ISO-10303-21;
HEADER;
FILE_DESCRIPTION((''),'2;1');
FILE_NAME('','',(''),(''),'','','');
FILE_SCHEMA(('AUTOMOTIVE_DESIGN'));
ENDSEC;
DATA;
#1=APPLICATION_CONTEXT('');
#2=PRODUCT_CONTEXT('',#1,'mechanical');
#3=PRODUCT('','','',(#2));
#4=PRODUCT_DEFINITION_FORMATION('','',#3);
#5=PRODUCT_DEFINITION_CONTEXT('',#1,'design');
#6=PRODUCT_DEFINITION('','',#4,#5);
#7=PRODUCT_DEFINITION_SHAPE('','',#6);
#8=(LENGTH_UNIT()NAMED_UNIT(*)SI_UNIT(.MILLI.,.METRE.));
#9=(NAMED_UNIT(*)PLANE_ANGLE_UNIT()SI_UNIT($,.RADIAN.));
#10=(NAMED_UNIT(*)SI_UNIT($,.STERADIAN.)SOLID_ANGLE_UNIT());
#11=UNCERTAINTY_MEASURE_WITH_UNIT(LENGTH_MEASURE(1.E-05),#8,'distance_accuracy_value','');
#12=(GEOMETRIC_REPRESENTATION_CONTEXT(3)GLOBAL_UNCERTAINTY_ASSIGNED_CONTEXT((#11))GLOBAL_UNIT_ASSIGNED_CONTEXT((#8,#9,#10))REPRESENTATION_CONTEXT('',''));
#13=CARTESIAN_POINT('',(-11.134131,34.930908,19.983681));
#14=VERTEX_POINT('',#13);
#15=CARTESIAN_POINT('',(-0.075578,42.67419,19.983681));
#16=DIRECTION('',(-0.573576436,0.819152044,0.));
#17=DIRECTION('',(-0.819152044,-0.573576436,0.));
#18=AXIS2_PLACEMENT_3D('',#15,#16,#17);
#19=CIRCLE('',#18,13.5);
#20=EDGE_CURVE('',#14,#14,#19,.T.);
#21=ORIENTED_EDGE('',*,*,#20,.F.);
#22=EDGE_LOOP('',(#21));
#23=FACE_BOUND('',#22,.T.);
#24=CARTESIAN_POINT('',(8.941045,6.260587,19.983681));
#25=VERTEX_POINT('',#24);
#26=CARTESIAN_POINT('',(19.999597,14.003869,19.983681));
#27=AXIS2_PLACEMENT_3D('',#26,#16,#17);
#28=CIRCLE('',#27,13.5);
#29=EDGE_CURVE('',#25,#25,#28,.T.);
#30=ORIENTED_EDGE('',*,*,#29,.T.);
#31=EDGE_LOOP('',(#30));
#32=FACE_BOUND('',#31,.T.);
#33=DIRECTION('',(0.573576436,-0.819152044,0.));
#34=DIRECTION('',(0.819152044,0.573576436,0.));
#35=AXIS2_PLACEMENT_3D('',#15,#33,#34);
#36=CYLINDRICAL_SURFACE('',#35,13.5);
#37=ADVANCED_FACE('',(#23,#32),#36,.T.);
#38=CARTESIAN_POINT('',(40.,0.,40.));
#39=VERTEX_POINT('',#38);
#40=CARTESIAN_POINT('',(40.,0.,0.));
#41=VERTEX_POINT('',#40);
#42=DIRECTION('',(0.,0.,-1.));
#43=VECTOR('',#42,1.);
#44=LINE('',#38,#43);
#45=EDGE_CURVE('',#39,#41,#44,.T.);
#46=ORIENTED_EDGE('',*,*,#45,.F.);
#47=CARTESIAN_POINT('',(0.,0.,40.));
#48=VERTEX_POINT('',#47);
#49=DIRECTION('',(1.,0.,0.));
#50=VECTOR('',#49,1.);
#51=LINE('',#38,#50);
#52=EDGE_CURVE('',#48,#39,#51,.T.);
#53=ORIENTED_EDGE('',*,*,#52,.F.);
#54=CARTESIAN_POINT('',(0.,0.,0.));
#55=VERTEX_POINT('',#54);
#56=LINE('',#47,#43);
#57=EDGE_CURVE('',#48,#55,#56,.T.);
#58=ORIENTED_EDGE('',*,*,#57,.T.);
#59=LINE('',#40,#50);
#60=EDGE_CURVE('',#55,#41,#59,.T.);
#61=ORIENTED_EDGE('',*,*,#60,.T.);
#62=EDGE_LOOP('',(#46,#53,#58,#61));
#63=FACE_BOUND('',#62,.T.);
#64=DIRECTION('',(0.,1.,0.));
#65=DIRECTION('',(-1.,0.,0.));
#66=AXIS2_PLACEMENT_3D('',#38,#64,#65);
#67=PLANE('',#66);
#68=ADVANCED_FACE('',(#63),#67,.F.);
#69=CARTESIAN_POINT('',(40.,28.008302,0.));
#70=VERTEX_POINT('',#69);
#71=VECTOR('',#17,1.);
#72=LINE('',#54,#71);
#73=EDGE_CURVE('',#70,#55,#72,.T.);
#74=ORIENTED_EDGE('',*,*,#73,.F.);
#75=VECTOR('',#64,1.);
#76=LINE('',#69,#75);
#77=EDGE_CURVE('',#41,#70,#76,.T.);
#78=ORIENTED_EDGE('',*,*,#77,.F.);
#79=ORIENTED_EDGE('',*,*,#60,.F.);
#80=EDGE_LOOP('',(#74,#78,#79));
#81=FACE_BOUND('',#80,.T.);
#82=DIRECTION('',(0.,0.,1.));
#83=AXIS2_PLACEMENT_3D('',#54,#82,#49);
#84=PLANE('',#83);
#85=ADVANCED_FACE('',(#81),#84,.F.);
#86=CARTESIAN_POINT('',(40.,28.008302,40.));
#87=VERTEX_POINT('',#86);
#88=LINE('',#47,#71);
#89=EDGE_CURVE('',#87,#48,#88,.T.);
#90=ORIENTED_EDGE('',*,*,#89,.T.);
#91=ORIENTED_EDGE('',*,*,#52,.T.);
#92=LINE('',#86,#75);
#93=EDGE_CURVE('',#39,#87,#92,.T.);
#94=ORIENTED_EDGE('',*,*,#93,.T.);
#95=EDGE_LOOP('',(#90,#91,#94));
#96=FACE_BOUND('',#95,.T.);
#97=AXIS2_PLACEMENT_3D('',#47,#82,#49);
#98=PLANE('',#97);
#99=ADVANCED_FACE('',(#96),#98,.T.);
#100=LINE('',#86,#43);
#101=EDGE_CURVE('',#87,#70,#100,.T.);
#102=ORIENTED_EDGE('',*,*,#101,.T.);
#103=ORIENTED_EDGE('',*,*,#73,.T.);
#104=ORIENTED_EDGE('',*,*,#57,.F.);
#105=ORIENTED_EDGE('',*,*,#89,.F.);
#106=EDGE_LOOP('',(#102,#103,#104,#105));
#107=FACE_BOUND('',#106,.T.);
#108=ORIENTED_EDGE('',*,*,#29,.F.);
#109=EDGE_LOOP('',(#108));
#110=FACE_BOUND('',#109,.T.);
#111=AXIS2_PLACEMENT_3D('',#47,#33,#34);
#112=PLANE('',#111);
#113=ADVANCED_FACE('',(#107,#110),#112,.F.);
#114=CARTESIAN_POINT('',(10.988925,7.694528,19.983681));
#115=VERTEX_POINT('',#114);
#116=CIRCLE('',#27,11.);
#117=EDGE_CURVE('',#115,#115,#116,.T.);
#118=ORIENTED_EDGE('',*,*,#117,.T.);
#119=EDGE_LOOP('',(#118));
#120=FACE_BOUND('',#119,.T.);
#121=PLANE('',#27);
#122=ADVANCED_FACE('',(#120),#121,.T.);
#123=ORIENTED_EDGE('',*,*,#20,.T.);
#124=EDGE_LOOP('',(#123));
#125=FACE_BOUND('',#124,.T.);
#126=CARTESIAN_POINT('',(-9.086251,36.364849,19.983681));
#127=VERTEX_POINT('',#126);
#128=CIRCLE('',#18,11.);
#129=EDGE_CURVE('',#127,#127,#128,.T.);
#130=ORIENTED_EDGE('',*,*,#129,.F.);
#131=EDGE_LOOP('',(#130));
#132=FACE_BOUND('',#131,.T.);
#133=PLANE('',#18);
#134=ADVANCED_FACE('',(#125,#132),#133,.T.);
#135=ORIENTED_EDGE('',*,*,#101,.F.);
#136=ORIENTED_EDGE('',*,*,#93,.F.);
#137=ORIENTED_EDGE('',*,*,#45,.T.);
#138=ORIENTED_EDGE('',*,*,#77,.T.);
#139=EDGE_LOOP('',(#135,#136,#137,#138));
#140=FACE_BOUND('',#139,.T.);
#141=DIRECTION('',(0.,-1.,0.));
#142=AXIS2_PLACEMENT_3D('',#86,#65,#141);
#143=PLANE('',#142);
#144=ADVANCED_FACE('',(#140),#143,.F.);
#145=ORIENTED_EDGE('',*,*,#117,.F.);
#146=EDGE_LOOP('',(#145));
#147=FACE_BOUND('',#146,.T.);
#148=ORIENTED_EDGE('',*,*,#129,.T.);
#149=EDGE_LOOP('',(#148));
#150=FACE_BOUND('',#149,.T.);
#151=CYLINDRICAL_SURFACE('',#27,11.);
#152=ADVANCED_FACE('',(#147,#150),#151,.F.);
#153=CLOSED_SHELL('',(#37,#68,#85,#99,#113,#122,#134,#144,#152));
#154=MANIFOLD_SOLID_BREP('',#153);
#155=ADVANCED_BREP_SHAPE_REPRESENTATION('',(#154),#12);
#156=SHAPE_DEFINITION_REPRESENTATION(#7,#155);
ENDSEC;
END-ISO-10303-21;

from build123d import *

# Parameters (mm, degrees)
BOSS_EXTRUDE1_DEPTH = 40
SKETCH3_R           = 13.5
BOSS_EXTRUDE2_DEPTH = 35
SKETCH4_R           = 11
CUT_EXTRUDE1_DEPTH  = 35


with BuildPart() as part:
    # Sketch2 → Boss-Extrude1 (new body)
    with BuildSketch(Plane.XY):
        Polygon((0, 0), (40, 28.008301528), (40, 0), align=None)
    extrude(amount=BOSS_EXTRUDE1_DEPTH)

    # Sketch3 → Boss-Extrude2 (add)
    with BuildSketch(Plane(origin=(0, 0, 0), x_dir=(0.819152044, 0.573576436, 0), z_dir=(-0.573576436, 0.819152044, 0))):
        with Locations((24.415, -19.983681398)):
            Circle(SKETCH3_R)
    extrude(amount=BOSS_EXTRUDE2_DEPTH)

    # Sketch4 → Cut-Extrude1 (cut)
    with BuildSketch(Plane(origin=(-20.075175272, 28.67032155, 0), x_dir=(0.819152044, 0.573576436, 0), z_dir=(-0.573576436, 0.819152044, 0))):
        with Locations((24.415, -19.983681398)):
            Circle(SKETCH4_R)
    extrude(amount=-CUT_EXTRUDE1_DEPTH, mode=Mode.SUBTRACT)


solid = part.part
